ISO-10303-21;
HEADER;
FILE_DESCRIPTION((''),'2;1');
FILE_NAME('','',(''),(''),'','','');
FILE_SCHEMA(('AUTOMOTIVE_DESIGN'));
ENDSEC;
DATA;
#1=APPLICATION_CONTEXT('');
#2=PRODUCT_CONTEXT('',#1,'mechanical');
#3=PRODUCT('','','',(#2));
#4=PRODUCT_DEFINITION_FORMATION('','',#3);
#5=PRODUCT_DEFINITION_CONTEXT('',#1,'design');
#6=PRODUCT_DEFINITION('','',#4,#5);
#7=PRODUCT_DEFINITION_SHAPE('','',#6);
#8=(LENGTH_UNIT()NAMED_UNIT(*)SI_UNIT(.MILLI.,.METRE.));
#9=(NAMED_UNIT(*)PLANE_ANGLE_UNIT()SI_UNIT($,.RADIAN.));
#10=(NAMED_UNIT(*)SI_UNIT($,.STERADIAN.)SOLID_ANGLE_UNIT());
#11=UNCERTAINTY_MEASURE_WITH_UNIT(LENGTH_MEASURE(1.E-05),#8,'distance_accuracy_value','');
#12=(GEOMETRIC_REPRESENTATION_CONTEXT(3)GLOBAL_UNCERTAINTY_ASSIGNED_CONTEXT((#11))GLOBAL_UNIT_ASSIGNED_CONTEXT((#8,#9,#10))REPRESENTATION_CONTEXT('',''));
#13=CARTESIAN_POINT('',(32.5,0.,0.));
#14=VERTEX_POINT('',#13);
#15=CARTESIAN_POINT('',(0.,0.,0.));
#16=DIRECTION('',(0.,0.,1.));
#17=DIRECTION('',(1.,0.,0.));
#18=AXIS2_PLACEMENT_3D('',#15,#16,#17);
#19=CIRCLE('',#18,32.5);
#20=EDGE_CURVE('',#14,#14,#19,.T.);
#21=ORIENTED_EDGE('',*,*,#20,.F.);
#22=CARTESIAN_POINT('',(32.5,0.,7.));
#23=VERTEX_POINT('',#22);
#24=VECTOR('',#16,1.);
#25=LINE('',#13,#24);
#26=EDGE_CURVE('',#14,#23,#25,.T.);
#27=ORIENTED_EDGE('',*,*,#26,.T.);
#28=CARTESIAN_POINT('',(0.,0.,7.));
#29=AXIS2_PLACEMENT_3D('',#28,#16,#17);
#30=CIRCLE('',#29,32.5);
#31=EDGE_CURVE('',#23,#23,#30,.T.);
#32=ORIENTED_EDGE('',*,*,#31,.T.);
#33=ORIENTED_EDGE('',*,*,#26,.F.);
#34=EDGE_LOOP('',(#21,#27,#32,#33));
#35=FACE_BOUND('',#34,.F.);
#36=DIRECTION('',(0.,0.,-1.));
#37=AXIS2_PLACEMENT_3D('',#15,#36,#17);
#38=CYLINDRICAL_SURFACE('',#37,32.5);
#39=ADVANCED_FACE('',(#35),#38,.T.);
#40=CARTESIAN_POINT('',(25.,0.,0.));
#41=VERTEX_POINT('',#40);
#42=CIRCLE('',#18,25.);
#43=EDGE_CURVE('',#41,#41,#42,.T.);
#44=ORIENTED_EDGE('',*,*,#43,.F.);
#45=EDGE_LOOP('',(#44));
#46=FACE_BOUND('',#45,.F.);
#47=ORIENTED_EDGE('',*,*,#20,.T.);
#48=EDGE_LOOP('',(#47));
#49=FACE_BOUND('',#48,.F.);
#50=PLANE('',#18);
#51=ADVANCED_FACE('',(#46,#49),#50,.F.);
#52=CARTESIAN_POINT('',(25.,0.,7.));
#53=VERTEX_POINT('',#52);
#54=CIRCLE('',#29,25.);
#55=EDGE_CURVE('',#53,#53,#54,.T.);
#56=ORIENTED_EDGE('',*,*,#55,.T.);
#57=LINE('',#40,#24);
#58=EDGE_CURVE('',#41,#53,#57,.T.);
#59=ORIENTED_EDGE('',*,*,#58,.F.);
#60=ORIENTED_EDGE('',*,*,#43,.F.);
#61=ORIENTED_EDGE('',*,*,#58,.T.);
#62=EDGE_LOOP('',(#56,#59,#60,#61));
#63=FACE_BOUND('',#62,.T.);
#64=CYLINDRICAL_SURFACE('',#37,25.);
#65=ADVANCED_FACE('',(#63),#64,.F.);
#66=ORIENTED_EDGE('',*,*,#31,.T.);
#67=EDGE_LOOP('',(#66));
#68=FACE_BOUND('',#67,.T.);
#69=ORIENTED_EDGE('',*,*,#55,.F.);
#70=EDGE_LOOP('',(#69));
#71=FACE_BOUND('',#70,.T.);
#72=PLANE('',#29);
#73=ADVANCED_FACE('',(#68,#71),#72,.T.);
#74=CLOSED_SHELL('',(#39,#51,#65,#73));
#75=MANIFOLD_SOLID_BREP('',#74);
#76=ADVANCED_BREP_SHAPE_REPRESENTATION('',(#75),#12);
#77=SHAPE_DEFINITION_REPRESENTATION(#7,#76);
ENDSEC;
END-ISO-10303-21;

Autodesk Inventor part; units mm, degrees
ref_plane "YZ Plane" through (0, 0, 0) normal (1, 0, 0) x (0, 1, 0)
ref_plane "XZ Plane" through (0, 0, 0) normal (0, 1, 0) x (-1, 0, 0)
ref_plane "XY Plane" through (0, 0, 0) normal (0, 0, 1) x (1, 0, 0)
sketch "Sketch1" plane through (0, 0, 0) normal (0, 0, 1) x (1, 0, 0)
  circle A0 centre (0, 0) radius 32.5
  circle A1 centre (0, 0) radius 25
  dimension "d0" = 65
  dimension "d1" = 50
extrude "Extrusion1" add sketch "Sketch1" along normal blind 7
properties part number "bearing_65x50x7"
